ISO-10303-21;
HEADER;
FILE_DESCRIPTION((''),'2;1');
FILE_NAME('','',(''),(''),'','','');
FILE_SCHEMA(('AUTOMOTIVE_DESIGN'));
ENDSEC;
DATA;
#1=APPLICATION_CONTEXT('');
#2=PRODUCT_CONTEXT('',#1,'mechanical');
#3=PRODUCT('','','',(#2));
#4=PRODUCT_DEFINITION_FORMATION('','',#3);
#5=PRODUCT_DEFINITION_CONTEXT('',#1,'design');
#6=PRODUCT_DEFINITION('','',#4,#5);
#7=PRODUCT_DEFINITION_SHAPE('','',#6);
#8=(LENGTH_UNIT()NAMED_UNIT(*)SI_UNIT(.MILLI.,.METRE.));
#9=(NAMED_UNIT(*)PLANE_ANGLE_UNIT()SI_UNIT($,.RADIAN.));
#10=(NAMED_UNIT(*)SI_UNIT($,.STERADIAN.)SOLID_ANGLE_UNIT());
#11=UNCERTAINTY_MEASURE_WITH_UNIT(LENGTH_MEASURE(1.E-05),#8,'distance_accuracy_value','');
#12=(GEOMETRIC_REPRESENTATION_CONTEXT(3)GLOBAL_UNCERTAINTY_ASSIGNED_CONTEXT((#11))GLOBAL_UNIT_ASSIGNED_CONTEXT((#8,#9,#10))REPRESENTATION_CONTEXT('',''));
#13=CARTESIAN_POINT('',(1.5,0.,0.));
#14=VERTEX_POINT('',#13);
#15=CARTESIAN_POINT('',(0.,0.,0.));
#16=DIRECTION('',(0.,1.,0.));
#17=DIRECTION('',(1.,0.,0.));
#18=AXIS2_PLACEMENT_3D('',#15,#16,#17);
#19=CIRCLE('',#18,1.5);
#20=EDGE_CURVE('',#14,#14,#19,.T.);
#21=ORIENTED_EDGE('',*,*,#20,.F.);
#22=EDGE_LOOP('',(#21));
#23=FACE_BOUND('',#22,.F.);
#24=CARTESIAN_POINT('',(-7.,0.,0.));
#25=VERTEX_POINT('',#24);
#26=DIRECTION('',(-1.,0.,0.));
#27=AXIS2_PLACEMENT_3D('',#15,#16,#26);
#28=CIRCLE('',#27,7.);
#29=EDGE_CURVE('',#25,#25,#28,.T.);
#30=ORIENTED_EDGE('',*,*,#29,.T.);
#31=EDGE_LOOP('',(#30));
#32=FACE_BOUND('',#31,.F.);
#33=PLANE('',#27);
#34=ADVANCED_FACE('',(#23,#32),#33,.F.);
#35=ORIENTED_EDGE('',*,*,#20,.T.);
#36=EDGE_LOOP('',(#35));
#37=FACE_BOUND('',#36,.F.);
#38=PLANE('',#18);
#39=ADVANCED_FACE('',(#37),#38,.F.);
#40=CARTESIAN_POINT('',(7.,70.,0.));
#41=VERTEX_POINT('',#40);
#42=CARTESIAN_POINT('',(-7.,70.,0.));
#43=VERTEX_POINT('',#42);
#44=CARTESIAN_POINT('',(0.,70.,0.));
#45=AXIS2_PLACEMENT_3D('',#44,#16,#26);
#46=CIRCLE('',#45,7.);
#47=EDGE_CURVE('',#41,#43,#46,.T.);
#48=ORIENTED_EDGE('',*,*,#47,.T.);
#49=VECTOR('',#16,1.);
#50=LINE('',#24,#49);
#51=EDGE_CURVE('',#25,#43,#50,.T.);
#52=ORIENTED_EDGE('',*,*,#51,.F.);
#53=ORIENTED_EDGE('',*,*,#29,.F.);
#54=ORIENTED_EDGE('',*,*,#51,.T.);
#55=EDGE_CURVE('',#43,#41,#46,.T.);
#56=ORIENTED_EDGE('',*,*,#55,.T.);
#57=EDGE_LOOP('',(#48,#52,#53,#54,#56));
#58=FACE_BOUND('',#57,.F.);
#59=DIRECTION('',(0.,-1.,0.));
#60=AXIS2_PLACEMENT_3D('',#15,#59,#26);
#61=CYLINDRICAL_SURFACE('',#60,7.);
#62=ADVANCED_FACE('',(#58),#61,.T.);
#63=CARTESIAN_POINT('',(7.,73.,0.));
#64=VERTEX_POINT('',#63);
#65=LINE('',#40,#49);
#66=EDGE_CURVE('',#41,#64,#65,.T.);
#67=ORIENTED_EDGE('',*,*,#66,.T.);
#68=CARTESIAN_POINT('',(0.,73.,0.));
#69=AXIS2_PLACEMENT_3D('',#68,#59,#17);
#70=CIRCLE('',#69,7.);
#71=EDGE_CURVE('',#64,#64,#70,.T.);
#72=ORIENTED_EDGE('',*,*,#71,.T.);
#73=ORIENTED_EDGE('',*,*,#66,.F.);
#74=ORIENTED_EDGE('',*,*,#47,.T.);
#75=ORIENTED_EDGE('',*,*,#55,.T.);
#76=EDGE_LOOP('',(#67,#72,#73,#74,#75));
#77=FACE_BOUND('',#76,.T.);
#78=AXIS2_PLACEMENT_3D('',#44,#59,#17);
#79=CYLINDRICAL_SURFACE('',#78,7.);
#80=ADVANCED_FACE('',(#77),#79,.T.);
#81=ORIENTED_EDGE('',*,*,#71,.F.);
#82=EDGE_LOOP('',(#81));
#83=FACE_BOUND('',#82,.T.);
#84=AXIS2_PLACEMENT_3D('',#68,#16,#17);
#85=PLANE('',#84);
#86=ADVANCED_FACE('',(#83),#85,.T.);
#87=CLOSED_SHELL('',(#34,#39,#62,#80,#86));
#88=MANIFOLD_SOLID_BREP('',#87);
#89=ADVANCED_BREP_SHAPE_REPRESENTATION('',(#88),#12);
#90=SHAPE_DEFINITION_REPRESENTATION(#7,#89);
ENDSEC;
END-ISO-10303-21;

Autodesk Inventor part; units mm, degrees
ref_plane "YZ Plane" through (0, 0, 0) normal (1, 0, 0) x (0, 1, 0)
ref_plane "XZ Plane" through (0, 0, 0) normal (0, 1, 0) x (-1, 0, 0)
ref_plane "XY Plane" through (0, 0, 0) normal (0, 0, 1) x (1, 0, 0)
sketch "スケッチ1" plane through (0, 0, 0) normal (0, 1, 0) x (-1, 0, 0)
  circle A0 centre (0, 0) radius 7
  dimension "d0" = 14
extrude "押し出し1" add sketch "スケッチ1" along normal blind 70
sketch "スケッチ2" plane through (0, 70, 0) normal (0, 1, 0) x (1, 0, 0)
  circle A0 centre (0, 0) radius 7 projected
sketch "スケッチ3" plane through (0, 70, 0) normal (0, 1, 0) x (1, 0, 0)
  circle A0 centre (0, 0) radius 7 projected
  circle A1 centre (0, 0) radius 27.5
  dimension "d3" = 55
extrude "押し出し2" add sketch "スケッチ3" along normal blind 3
extrude "押し出し3" add sketch "スケッチ2" along normal blind 3
sketch "スケッチ4" plane through (0, 73, 0) normal (0, 1, 0) x (1, 0, 0)
  circle A0 centre (0, 0) radius 27.5 projected
  circle A1 centre (0, 0) radius 25
  line L0 (0, 0) -> (17.6777, 17.6777)
  line L1 (0, 0) -> (25, 0) construction
  circle A2 centre (17.6777, 17.6777) radius 1.5
  circle A3 centre (-17.6777, 17.6777) radius 1.5
  circle A4 centre (-17.6777, -17.6777) radius 1.5
  circle A5 centre (17.6777, -17.6777) radius 1.5
  dimension "d8" = 50
  dimension "d9" = 45
  dimension "d10" = 3
  dimension "d13" = 360
hole "穴1" at (0, 73, 0) at (-17.6777, 73, -17.6777) at (17.6777, 73, -17.6777) at (17.6777, 73, 17.6777) at (-17.6777, 73, 17.6777) direction (0, -1, 0) diameter 3 depth 8 tip angle 118
sketch "スケッチ6" plane through (0, 70, 0) normal (0, -1, 0) x (1, 0, 0)
  circle A0 centre (17.6777, 17.6777) radius 1.5 projected
  circle A1 centre (-17.6777, -17.6777) radius 1.5 projected
  circle A2 centre (17.6777, -17.6777) radius 1.5 projected
  circle A3 centre (-17.6777, 17.6777) radius 1.5 projected
  circle A4 centre (0, 0) radius 7 projected
  circle A5 centre (0, 0) radius 27.5 projected
extrude "押し出し5" cut sketch "スケッチ6" against normal blind 3
sketch "スケッチ7" plane through (0, 73, 0) normal (0, 1, 0) x (1, 0, 0)
  circle A0 centre (0, 0) radius 1.5 projected
  circle A1 centre (0, 0) radius 1.5
extrude "押し出し6" add sketch "スケッチ7" against normal blind 73
properties part number "知能ロボコンばね受け"
